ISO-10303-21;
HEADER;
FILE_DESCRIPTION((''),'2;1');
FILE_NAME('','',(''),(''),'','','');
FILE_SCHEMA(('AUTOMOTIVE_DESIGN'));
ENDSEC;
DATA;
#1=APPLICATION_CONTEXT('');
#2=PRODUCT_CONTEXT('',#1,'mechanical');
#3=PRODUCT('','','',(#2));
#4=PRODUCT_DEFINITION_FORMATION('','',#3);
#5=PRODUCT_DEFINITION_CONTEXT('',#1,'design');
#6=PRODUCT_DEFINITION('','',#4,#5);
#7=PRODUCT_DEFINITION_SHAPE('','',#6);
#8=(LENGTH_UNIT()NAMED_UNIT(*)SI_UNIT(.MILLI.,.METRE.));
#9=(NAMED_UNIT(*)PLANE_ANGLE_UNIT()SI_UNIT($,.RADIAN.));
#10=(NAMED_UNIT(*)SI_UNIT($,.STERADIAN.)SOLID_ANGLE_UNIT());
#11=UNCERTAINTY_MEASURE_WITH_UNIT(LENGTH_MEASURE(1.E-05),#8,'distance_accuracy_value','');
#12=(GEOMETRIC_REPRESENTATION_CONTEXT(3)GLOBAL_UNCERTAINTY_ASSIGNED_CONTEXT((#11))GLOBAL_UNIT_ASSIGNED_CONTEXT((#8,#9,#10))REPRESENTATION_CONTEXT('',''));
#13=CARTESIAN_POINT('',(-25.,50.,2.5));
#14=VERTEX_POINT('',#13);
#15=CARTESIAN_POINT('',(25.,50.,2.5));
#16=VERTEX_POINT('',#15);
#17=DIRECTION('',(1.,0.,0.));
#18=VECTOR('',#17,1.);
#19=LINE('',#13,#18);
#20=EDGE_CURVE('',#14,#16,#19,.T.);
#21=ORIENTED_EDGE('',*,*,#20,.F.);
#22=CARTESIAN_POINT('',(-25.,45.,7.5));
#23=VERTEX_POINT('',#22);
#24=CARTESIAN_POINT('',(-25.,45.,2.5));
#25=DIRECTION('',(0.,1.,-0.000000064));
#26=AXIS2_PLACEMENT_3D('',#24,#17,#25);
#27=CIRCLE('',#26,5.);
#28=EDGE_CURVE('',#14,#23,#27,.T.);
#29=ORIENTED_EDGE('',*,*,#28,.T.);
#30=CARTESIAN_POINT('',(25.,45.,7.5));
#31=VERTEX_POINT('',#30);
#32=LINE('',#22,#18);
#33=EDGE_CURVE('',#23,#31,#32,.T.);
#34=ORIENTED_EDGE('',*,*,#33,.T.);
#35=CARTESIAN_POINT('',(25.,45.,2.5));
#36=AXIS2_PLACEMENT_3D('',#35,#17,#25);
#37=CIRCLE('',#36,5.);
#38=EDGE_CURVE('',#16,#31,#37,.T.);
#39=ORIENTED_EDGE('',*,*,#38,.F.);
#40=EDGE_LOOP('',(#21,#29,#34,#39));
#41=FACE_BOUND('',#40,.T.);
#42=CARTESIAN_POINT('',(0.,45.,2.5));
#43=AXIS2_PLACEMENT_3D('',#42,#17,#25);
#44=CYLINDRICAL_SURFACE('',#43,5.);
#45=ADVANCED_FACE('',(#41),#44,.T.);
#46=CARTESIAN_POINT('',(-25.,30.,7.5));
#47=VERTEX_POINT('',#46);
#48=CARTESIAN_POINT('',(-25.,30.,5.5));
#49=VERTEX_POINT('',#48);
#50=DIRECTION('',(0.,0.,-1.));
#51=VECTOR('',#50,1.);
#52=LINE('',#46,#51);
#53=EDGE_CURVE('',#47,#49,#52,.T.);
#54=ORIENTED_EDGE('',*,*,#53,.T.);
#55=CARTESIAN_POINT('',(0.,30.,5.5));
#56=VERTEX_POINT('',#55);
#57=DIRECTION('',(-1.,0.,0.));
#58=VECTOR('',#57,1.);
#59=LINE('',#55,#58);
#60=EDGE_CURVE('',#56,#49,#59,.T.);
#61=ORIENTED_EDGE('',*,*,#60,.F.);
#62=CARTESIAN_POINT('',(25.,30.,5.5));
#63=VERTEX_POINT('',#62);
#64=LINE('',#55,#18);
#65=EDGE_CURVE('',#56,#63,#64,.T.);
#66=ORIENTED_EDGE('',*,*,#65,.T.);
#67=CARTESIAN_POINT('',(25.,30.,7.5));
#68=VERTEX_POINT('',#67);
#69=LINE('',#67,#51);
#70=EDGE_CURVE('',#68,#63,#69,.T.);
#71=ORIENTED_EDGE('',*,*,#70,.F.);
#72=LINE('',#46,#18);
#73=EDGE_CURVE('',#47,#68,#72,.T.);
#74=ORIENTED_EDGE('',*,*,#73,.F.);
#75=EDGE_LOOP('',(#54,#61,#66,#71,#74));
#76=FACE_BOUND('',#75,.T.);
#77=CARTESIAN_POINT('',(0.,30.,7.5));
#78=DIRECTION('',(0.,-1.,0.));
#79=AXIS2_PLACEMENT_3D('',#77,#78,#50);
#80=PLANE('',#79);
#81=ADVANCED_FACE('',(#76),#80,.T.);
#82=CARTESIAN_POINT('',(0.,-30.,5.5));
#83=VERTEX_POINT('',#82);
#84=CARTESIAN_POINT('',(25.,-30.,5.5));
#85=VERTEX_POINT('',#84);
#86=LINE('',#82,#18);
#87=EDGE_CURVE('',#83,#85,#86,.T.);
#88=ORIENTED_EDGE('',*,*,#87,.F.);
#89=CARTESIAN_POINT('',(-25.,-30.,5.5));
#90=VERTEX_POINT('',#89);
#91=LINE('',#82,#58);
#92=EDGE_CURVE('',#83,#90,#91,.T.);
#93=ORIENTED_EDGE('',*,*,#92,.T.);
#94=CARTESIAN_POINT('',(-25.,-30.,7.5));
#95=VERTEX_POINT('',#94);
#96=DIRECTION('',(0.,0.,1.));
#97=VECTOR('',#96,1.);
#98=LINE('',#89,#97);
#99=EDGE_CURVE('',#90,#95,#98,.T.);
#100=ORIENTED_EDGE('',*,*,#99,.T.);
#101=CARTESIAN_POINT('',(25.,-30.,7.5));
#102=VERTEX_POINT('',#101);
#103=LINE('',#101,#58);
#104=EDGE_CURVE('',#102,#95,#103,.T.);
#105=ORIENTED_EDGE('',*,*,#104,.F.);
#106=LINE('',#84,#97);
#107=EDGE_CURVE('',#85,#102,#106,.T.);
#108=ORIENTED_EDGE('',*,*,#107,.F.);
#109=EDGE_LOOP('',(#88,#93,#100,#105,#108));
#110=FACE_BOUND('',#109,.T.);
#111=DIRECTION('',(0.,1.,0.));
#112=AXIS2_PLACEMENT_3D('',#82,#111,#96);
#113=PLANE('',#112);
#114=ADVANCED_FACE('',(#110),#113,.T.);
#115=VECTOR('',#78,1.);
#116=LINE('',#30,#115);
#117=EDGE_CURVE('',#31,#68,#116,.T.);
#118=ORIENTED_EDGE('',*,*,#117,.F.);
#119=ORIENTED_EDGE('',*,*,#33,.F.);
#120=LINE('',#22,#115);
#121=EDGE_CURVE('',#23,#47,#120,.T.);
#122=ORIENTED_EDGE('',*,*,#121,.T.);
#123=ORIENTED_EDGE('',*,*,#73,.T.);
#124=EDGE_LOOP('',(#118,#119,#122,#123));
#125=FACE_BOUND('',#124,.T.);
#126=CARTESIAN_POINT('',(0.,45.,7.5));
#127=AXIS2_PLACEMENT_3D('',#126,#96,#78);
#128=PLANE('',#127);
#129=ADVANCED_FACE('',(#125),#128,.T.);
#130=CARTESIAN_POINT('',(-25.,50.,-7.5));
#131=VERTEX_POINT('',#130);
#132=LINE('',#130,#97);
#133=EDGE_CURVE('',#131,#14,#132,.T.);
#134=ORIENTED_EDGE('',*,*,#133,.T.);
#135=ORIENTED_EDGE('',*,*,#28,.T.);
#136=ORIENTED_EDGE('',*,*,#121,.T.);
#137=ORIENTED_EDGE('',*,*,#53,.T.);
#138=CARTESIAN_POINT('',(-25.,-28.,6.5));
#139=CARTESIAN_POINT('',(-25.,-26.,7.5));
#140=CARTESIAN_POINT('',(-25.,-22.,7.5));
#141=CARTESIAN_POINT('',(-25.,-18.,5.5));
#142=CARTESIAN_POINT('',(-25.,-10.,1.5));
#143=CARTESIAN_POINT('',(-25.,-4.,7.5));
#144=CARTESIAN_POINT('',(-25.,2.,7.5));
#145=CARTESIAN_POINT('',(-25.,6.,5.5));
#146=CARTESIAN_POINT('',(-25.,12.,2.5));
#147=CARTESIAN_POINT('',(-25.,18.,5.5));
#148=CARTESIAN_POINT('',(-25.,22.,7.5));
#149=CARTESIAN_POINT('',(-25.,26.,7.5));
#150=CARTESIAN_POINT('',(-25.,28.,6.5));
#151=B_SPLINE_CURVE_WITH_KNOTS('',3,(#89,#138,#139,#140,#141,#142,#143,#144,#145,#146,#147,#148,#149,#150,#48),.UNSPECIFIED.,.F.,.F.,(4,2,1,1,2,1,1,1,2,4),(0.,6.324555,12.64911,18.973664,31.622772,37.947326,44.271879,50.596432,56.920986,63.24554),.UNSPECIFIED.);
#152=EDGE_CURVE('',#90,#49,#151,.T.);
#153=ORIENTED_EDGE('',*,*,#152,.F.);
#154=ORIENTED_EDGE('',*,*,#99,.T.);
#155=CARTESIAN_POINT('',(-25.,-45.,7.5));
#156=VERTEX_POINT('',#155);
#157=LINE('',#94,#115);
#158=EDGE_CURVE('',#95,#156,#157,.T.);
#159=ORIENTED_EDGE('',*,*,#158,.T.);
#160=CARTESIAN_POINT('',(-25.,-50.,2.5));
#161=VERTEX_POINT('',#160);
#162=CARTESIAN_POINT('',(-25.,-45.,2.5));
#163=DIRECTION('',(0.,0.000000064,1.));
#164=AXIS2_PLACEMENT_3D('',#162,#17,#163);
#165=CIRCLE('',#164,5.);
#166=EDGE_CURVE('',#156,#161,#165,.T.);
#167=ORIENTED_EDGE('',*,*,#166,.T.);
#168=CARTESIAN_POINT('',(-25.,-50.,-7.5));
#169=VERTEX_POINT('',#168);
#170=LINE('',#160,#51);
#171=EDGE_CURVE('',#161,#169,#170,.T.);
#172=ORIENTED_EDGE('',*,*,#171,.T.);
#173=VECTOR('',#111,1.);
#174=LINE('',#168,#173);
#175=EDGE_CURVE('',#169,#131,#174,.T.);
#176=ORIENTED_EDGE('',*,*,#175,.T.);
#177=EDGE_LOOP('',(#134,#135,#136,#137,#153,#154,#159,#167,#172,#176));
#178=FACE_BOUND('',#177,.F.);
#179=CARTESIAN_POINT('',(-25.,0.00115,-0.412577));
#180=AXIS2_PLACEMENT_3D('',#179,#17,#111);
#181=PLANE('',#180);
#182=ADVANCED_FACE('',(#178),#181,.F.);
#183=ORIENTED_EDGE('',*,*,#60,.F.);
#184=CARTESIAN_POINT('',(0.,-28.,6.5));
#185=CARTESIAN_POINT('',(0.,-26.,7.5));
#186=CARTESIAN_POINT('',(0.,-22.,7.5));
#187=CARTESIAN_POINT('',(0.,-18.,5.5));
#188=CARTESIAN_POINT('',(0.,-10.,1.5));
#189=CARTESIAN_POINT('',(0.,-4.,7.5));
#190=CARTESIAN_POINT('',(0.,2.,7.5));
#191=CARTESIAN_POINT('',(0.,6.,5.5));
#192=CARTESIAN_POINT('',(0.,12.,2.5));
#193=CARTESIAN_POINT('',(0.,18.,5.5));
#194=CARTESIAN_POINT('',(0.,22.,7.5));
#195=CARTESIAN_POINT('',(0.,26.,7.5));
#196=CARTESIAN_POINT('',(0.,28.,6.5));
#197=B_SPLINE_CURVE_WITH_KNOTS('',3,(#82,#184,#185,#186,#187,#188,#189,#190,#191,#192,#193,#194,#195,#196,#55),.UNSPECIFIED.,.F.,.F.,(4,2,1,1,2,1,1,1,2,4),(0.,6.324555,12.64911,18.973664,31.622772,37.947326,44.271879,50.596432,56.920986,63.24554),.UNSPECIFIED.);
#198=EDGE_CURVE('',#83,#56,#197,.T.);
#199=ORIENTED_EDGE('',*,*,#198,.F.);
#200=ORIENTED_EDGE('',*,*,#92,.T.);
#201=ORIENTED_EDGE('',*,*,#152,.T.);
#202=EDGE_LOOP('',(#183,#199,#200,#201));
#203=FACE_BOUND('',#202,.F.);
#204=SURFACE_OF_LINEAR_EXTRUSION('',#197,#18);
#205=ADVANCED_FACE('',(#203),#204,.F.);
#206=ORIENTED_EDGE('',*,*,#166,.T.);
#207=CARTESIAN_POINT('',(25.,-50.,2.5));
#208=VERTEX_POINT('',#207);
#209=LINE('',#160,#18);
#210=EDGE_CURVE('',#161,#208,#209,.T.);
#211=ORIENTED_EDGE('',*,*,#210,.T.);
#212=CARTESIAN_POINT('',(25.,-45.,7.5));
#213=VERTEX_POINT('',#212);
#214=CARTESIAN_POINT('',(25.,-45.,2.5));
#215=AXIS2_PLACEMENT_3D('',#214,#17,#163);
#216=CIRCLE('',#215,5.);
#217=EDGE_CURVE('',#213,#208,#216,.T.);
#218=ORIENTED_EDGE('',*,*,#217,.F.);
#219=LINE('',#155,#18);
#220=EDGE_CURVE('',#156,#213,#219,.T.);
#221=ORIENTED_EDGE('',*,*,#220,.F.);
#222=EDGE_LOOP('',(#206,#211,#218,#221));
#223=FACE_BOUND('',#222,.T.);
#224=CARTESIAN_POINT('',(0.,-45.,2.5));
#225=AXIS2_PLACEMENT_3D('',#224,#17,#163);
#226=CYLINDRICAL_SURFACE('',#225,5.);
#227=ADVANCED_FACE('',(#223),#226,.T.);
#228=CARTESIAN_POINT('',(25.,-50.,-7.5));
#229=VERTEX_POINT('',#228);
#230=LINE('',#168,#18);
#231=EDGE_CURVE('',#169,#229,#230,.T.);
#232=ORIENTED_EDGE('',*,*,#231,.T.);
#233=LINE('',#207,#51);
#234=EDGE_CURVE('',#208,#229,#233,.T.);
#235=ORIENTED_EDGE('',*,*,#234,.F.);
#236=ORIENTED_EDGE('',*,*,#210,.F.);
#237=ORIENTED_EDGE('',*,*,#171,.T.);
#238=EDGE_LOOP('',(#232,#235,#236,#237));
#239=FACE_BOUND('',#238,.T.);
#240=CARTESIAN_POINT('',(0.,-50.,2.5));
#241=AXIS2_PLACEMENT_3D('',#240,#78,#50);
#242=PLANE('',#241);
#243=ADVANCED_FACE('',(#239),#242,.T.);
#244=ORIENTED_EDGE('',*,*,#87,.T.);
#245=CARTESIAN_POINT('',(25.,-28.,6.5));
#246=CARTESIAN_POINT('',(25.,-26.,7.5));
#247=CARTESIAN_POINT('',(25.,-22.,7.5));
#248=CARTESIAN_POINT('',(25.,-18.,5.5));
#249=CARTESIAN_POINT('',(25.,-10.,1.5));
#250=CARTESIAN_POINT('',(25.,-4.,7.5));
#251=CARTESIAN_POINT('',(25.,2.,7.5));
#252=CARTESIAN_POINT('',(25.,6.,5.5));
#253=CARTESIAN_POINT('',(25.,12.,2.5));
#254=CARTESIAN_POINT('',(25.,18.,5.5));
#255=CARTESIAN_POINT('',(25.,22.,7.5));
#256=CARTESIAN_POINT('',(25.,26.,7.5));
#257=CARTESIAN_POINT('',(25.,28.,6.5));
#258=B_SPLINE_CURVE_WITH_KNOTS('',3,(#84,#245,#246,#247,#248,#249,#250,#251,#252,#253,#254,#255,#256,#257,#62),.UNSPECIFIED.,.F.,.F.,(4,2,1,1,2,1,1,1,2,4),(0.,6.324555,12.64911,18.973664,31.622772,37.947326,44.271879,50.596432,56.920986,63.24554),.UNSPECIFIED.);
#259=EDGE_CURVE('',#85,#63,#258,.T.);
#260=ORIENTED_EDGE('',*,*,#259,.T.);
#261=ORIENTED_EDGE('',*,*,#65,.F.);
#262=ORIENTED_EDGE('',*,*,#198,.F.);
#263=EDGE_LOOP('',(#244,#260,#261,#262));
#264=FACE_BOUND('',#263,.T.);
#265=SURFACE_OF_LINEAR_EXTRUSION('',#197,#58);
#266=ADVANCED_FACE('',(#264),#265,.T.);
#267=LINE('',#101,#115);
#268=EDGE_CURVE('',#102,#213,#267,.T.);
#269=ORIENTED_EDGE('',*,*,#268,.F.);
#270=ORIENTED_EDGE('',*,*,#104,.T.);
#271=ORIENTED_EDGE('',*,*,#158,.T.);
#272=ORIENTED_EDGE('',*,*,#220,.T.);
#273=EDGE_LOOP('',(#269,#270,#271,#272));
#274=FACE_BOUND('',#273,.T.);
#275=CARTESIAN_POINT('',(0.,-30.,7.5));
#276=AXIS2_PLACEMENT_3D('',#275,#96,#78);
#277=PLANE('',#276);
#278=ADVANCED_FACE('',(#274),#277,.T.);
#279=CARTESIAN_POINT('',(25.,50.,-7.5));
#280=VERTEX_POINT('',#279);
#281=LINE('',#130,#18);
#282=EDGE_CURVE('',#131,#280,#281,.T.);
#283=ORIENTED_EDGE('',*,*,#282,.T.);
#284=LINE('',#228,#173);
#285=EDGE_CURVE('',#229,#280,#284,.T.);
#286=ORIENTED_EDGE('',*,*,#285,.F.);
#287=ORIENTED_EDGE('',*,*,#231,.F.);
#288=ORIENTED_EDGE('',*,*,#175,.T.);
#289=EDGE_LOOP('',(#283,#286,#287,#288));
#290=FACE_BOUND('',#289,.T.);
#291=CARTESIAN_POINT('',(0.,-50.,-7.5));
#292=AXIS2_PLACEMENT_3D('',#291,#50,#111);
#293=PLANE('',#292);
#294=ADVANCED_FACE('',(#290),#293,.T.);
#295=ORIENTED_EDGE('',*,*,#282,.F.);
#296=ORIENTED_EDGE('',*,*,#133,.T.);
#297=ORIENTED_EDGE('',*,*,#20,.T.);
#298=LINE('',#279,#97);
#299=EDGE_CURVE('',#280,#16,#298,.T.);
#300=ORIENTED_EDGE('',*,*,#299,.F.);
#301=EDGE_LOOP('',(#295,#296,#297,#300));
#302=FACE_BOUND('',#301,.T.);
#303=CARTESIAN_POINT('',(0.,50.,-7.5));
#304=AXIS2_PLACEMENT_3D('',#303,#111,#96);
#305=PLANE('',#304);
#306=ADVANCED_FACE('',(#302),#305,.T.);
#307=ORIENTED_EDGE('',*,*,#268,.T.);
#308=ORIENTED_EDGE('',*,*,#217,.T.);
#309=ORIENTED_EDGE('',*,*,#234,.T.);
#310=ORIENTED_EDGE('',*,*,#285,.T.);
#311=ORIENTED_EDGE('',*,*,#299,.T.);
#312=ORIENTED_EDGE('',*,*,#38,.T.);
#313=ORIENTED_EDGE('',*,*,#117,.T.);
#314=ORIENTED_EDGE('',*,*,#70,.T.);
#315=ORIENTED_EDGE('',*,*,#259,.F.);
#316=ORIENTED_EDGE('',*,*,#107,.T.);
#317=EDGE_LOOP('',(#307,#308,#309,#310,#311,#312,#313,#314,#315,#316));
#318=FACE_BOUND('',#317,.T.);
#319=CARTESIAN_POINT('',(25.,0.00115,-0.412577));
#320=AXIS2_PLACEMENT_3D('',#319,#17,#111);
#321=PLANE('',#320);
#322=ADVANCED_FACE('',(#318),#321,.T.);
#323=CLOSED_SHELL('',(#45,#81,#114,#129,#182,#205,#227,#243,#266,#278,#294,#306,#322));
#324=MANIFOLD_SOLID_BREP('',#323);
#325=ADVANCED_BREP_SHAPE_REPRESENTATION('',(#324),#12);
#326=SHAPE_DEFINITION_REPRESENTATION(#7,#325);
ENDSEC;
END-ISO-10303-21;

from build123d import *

# Parameters (mm, degrees)
F1_DEPTH = 25


with BuildPart() as f1:
    # F0 (on Right) → F1 (new body, symmetric)
    with BuildSketch(Plane.YZ):
        with BuildLine():
            Line((-30, 7.5), (-45, 7.5))
            ThreePointArc((-45, 7.5), (-48.535534, 6.035534), (-50, 2.5))
            Line((-50, 2.5), (-50, -7.5))
            Line((-50, -7.5), (50, -7.5))
            Line((50, -7.5), (50, 2.5))
            ThreePointArc((50, 2.5), (48.535534, 6.035534), (45, 7.5))
            Line((45, 7.5), (30, 7.5))
            Line((30, 7.5), (30, 5.5))
            add(Edge.make_bspline(
                [(24, 7.5), (26, 7.5), (28, 6.5), (30, 5.5)],
                knots=[31.622777, 31.622777, 31.622777, 31.622777, 37.947332, 37.947332, 37.947332, 37.947332], degree=3))
            add(Edge.make_bspline(
                [(0, 7.5), (2, 7.5), (6, 5.5), (12, 2.5), (18, 5.5), (22, 7.5), (24, 7.5)],
                knots=[6.324555, 6.324555, 6.324555, 6.324555, 12.649111, 18.973666, 25.298221, 31.622777, 31.622777, 31.622777, 31.622777], degree=3))
            add(Edge.make_bspline(
                [(-6, 5.5), (-4, 6.5), (-2, 7.5), (0, 7.5)],
                knots=[0, 0, 0, 0, 6.324555, 6.324555, 6.324555, 6.324555], degree=3))
            add(Edge.make_bspline(
                [(-24, 7.5), (-22, 7.5), (-18, 5.5), (-12, 2.5), (-8, 4.5), (-6, 5.5)],
                knots=[6.324555, 6.324555, 6.324555, 6.324555, 12.649111, 18.973666, 25.298221, 25.298221, 25.298221, 25.298221], degree=3))
            add(Edge.make_bspline(
                [(-30, 5.5), (-28, 6.5), (-26, 7.5), (-24, 7.5)],
                knots=[0, 0, 0, 0, 6.324555, 6.324555, 6.324555, 6.324555], degree=3))
            Line((-30, 5.5), (-30, 7.5))
        make_face()
    extrude(amount=F1_DEPTH, both=True)


solid = f1.part
